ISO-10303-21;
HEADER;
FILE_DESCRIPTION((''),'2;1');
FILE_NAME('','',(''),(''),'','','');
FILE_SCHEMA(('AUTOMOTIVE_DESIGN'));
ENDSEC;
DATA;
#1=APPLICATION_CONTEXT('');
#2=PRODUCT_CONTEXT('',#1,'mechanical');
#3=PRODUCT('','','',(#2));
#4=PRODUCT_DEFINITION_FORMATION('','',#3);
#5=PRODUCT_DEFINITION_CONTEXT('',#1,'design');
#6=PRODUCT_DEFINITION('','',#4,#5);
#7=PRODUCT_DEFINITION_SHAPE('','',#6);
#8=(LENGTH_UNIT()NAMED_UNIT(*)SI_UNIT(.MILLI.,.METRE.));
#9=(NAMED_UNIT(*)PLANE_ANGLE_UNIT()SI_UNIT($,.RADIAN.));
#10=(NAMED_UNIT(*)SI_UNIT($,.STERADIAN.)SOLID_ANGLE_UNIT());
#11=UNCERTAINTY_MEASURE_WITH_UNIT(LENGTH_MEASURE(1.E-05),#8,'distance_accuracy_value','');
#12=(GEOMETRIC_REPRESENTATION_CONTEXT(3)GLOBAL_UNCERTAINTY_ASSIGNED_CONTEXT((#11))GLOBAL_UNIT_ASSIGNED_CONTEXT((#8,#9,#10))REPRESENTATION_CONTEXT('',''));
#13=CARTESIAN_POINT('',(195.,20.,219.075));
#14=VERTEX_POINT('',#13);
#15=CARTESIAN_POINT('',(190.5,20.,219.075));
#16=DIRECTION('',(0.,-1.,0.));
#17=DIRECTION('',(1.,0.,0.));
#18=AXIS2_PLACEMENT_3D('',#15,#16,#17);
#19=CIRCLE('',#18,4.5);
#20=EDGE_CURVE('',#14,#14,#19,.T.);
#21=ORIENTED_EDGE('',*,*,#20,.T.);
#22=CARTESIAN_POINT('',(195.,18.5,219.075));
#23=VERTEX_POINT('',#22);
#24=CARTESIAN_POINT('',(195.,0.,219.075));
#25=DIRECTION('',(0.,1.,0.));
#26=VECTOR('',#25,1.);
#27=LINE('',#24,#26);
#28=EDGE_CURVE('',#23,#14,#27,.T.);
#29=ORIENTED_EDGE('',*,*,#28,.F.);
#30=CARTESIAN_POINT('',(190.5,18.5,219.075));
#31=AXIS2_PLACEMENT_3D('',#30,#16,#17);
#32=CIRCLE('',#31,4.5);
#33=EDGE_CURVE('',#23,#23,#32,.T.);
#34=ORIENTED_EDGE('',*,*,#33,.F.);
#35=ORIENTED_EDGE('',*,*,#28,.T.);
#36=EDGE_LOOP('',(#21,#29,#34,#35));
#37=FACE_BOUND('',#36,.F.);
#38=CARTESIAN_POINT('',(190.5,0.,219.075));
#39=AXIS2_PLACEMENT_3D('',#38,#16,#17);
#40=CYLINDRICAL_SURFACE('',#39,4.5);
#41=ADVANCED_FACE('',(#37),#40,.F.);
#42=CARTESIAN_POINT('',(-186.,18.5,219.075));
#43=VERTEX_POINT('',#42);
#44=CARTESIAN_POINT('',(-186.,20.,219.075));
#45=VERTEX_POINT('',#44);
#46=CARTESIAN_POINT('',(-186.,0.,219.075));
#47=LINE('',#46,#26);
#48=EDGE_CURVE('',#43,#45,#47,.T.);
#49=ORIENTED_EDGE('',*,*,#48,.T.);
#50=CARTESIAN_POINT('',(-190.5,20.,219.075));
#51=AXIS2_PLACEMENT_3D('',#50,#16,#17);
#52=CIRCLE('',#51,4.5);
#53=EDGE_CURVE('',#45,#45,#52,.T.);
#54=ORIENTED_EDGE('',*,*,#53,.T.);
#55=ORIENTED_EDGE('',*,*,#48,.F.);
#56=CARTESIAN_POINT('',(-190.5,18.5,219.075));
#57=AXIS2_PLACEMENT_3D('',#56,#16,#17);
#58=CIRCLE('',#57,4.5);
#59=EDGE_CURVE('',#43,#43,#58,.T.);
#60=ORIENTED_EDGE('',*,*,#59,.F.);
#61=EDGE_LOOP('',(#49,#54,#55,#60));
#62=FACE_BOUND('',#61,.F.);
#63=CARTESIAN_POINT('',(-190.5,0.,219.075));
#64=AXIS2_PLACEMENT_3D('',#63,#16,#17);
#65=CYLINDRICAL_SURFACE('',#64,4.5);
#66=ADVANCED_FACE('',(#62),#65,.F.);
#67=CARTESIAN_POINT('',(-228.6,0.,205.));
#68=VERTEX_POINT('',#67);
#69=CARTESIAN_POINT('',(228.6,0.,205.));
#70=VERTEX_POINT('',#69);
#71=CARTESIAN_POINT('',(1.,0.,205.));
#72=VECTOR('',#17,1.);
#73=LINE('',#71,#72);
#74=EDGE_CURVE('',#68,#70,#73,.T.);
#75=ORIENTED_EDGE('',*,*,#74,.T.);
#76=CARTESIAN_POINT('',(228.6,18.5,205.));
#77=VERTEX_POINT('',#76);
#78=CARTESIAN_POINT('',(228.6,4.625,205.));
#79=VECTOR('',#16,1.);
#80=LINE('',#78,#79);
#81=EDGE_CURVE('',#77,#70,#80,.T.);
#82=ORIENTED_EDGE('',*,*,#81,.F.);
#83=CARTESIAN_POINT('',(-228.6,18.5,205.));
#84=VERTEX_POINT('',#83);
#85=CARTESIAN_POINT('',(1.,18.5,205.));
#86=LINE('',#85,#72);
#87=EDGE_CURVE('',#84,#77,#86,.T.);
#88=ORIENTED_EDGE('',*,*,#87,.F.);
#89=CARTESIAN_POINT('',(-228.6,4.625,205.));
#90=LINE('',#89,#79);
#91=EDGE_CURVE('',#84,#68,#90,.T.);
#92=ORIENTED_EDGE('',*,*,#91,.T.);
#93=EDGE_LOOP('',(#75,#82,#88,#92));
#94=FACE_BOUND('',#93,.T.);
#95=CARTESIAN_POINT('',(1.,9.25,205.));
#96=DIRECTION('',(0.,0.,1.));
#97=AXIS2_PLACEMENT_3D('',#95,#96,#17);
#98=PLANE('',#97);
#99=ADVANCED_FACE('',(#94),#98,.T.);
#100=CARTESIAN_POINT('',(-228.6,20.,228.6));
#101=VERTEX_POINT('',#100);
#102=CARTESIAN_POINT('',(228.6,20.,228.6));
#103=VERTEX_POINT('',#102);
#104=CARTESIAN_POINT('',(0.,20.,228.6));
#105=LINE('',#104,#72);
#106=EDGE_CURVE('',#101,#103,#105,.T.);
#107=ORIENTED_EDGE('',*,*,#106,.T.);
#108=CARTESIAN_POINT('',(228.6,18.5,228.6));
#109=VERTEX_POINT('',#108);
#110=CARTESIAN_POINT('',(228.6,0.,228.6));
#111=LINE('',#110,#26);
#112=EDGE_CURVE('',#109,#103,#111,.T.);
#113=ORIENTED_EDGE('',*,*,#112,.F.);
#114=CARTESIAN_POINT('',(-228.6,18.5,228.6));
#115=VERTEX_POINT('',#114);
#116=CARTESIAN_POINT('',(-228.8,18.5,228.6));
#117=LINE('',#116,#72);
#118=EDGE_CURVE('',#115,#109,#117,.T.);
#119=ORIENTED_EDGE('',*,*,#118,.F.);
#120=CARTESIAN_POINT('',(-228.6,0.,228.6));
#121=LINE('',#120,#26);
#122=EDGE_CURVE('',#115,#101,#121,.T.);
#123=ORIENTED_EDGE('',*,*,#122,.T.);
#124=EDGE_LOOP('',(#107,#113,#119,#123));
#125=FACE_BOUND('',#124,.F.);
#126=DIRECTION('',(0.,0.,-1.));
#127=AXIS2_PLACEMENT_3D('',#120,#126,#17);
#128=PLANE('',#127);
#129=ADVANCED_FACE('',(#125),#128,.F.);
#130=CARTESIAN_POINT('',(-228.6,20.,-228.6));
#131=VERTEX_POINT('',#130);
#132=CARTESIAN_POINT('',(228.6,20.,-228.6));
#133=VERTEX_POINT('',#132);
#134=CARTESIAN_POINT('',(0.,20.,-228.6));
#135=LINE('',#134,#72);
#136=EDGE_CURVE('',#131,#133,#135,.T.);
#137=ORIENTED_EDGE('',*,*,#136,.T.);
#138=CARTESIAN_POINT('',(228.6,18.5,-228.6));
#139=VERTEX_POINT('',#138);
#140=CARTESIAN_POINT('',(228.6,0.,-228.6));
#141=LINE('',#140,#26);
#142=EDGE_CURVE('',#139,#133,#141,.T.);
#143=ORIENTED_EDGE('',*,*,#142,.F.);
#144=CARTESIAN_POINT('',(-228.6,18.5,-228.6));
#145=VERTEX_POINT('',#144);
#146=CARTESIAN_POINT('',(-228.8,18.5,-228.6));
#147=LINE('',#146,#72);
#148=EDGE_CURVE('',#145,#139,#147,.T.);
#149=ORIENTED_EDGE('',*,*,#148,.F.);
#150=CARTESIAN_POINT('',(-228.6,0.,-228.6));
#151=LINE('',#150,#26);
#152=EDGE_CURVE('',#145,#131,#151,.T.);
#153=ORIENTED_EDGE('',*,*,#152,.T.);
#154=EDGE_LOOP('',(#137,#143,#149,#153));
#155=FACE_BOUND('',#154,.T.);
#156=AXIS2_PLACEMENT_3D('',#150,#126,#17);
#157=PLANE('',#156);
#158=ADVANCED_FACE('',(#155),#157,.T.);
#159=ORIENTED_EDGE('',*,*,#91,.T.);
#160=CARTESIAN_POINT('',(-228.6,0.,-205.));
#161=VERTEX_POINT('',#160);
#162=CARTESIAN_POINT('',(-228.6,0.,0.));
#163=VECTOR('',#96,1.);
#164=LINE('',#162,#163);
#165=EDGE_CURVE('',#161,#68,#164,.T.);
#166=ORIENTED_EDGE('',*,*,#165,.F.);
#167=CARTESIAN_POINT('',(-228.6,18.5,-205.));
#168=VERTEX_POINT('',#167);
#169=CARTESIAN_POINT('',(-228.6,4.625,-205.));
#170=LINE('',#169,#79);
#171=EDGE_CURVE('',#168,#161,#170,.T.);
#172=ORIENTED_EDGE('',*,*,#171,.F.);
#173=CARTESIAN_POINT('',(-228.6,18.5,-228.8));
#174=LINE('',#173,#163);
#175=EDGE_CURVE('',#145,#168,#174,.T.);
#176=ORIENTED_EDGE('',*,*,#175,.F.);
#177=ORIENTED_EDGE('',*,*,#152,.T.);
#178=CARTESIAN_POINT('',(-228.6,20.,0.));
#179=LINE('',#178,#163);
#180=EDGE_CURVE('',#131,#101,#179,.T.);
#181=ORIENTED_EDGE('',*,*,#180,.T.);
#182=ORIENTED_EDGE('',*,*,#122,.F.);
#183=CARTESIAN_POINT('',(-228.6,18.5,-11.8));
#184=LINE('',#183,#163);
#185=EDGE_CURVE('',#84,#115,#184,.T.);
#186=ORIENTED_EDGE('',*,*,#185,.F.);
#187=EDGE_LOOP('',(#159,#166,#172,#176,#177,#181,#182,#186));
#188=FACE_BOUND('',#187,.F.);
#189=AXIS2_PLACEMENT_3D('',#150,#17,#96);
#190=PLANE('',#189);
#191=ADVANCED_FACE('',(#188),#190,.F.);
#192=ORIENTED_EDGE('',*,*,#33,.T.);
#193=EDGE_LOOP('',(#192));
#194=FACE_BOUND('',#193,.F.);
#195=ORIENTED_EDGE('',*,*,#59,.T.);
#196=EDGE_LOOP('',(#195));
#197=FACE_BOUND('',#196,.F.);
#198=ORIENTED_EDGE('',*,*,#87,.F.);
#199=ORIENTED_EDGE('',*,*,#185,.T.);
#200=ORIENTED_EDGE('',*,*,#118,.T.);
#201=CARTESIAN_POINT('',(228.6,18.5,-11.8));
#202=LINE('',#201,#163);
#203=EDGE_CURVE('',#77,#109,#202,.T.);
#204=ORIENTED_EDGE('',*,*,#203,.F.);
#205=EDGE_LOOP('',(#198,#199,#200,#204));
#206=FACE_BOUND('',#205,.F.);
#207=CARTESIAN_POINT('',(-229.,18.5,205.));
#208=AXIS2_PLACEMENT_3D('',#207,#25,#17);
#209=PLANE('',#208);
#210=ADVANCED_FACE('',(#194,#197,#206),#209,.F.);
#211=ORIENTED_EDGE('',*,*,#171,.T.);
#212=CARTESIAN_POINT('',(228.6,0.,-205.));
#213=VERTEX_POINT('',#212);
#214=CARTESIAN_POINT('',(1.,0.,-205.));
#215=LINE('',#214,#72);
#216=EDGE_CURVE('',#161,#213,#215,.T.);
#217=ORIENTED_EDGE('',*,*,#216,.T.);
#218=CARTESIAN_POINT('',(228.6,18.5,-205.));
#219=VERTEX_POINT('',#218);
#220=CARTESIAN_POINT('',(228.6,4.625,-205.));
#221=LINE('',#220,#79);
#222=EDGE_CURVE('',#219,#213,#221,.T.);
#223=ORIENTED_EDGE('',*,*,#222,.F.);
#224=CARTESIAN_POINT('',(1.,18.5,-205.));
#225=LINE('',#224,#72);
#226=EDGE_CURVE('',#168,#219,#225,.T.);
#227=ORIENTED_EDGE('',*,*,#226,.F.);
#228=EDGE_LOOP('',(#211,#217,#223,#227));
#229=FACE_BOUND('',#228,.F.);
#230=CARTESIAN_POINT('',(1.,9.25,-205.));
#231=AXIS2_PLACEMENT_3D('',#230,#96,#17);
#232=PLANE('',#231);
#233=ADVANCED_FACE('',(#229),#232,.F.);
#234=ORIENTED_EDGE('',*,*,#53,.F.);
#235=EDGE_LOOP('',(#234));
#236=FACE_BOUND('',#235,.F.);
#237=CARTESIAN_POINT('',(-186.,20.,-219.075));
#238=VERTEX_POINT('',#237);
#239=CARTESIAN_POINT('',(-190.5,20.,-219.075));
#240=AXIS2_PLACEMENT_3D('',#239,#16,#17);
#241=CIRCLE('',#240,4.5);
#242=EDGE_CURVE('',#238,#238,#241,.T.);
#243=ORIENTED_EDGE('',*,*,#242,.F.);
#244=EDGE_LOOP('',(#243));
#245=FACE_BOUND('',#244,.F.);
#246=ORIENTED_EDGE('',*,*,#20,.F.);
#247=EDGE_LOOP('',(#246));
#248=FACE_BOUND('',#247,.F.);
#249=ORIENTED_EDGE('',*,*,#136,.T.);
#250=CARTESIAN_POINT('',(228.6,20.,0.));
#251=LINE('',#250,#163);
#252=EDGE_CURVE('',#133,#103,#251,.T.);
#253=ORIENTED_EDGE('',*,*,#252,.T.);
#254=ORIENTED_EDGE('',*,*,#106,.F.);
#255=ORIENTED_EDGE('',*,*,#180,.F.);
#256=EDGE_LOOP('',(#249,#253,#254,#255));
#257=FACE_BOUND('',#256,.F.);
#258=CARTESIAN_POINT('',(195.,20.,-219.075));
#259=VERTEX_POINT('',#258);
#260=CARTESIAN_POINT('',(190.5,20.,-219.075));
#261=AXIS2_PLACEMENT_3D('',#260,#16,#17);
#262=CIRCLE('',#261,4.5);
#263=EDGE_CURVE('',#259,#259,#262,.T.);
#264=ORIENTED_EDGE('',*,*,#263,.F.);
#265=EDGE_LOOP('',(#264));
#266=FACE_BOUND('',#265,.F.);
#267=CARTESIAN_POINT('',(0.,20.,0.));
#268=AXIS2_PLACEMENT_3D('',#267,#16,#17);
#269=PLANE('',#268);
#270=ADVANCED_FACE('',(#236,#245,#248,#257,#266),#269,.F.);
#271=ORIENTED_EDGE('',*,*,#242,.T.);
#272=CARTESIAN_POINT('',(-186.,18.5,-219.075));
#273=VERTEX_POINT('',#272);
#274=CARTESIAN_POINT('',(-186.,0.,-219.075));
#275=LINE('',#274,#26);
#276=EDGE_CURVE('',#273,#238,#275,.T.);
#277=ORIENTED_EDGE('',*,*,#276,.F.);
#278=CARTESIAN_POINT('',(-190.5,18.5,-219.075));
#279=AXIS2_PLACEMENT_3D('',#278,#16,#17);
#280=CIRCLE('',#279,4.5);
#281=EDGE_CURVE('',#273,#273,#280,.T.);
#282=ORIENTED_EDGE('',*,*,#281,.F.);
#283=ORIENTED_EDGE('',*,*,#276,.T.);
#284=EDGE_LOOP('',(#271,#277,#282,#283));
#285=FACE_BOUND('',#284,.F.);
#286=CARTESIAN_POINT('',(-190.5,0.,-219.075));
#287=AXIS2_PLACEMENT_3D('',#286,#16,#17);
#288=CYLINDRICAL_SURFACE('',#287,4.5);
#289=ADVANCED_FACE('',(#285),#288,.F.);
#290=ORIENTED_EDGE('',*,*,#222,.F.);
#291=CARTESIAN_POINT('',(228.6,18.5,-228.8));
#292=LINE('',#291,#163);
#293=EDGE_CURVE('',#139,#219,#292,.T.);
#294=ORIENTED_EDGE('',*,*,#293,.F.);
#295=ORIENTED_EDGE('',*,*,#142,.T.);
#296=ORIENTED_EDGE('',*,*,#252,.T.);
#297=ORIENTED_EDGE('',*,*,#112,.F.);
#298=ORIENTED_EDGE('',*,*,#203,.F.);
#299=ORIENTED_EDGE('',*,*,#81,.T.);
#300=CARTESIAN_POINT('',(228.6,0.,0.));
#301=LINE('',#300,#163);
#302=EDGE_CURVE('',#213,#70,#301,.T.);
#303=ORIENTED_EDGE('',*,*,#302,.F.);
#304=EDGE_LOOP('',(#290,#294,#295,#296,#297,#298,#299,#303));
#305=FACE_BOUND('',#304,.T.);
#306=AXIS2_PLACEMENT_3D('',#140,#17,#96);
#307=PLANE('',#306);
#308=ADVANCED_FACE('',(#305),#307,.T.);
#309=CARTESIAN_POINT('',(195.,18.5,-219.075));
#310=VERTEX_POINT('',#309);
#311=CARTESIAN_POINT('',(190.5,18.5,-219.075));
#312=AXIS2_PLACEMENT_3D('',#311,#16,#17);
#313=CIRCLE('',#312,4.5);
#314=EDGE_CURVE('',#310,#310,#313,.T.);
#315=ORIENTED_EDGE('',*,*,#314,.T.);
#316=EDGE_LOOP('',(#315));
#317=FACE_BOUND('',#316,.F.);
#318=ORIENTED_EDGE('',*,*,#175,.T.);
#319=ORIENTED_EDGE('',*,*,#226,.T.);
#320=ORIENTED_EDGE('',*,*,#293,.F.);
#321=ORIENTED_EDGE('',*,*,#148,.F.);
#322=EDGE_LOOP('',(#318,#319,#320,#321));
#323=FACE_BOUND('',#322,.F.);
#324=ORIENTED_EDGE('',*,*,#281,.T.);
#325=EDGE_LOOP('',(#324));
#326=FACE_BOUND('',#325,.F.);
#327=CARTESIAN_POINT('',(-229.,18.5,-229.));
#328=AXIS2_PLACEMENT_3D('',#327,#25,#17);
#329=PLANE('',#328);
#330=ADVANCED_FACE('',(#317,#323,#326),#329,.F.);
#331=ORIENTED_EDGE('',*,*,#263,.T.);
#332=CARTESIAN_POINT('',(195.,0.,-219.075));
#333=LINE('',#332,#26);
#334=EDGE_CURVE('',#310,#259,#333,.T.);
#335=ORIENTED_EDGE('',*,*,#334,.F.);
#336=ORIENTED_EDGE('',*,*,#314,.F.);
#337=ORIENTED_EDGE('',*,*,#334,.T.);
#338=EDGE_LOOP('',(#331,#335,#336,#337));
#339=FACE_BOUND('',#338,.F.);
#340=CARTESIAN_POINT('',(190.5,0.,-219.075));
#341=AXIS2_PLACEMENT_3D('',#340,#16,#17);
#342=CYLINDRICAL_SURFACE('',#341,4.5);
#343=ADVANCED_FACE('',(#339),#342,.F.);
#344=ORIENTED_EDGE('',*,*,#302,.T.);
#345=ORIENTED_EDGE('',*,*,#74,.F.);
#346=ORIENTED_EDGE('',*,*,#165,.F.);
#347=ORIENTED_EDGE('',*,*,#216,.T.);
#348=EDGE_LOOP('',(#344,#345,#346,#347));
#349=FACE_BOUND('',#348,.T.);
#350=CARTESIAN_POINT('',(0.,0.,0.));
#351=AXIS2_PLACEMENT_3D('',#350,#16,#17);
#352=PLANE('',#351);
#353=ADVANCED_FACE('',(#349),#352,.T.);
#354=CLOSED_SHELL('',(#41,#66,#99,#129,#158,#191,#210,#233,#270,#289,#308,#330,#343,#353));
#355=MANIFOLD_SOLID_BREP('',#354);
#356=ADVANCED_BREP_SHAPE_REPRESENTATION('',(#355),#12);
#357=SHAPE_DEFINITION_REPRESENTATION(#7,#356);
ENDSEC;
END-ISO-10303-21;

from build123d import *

# Parameters (mm, degrees)
BOX001_W      = 460
BOX001_H      = 18.5
BOX001_DEPTH  = 24
BOX_W         = 460
BOX_H         = 18.5
BOX_DEPTH     = 24
SKETCH_W      = 457.2
SKETCH_H      = 457.2
SKETCH_R      = 4.5
EXTRUDE_DEPTH = 20


with BuildPart() as cube001:
    # Box001 → Box001 (new body)
    with BuildSketch(Plane(origin=(-229, 0, 205), x_dir=(1, 0, 0), z_dir=(0, 0, 1))):
        with Locations((230, 9.25)):
            Rectangle(BOX001_W, BOX001_H)
    extrude(amount=BOX001_DEPTH)


with BuildPart() as cut:
    # Box → Box (new body)
    with BuildSketch(Plane(origin=(-229, 0, -229), x_dir=(1, 0, 0), z_dir=(0, 0, 1))):
        with Locations((230, 9.25)):
            Rectangle(BOX_W, BOX_H)
    extrude(amount=BOX_DEPTH)

    # Fusion: union Cube001
    add(cube001.part)


with BuildPart() as cut_body:
    # Sketch → Extrude (new body)
    with BuildSketch(Plane.XZ):
        Rectangle(SKETCH_W, SKETCH_H)
        with Locations((-190.5, -219.075)):
            Circle(SKETCH_R, mode=Mode.SUBTRACT)
        with Locations((-190.5, 219.075)):
            Circle(SKETCH_R, mode=Mode.SUBTRACT)
        with Locations((190.5, 219.075)):
            Circle(SKETCH_R, mode=Mode.SUBTRACT)
        with Locations((190.5, -219.075)):
            Circle(SKETCH_R, mode=Mode.SUBTRACT)
    extrude(amount=-EXTRUDE_DEPTH)

    # Cut: cut cut
    add(cut.part, mode=Mode.SUBTRACT)


solid = cut_body.part
